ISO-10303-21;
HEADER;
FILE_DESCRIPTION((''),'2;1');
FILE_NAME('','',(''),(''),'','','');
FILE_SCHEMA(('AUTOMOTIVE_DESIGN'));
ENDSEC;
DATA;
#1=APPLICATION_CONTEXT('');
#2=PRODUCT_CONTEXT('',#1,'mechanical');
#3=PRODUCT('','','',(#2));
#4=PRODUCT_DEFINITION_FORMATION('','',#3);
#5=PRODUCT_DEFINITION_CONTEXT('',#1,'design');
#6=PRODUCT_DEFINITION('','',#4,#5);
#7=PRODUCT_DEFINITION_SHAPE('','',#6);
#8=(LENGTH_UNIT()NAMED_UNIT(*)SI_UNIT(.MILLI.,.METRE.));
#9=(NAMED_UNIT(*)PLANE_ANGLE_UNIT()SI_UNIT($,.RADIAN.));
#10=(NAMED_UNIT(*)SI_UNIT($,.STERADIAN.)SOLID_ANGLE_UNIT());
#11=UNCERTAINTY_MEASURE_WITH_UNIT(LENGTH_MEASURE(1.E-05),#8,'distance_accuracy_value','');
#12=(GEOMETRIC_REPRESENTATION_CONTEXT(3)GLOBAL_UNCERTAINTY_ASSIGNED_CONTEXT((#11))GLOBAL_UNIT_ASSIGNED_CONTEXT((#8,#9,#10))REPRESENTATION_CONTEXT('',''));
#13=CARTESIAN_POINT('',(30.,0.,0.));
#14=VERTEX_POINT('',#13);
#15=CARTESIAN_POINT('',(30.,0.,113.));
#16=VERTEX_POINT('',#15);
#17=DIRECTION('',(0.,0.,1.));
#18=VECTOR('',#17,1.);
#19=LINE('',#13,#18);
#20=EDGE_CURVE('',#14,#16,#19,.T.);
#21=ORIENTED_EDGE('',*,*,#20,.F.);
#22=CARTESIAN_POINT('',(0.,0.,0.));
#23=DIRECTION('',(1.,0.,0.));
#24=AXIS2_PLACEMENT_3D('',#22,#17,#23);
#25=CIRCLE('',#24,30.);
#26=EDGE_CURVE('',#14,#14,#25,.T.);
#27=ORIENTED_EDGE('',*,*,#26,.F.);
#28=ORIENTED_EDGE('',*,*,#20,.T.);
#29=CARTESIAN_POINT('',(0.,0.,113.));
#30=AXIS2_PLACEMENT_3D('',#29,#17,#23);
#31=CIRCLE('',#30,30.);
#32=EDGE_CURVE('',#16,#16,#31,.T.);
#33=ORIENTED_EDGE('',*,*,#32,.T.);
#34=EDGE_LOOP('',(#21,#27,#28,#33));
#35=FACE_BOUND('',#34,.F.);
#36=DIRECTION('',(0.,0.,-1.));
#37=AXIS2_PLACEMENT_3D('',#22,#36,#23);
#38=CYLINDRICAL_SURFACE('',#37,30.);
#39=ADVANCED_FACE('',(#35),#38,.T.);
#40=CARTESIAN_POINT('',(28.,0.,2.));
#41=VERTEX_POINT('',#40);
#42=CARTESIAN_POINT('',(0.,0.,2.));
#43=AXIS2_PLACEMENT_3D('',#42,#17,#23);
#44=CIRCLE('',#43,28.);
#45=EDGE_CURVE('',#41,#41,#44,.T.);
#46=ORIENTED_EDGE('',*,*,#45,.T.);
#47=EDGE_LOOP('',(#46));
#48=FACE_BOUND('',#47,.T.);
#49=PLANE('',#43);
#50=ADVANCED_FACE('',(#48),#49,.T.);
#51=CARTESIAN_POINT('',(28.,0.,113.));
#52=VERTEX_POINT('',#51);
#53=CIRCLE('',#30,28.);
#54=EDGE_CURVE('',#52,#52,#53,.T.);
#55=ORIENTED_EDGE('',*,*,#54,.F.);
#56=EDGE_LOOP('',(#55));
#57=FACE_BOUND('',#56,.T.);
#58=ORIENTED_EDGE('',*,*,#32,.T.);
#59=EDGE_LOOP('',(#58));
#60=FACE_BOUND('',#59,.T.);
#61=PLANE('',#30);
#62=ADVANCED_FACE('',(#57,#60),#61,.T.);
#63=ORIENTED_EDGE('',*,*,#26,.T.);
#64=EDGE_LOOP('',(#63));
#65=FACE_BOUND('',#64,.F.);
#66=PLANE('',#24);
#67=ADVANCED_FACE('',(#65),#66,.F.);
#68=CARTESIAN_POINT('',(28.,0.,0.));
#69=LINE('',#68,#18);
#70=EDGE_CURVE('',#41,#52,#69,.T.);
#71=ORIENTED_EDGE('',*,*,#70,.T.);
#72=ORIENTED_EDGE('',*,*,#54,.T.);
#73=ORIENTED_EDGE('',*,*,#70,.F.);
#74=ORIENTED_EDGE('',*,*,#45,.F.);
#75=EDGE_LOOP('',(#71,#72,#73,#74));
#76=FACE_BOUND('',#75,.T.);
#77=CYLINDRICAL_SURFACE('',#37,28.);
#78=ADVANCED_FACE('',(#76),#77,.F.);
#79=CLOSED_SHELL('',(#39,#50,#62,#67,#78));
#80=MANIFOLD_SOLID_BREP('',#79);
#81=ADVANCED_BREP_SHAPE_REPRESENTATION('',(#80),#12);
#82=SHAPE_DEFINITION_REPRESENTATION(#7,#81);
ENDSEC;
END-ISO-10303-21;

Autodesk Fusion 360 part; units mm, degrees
sketch "Base" plane through (0, 0, 0) normal (0, 0, 1) x (1, 0, 0)
  circle A0 centre (0, 0) radius 30
  circle A1 centre (0, 0) radius 28
  dimension "d1" = 60
  dimension "d2" = 56
extrude "Extrude1" add sketch "Base" along normal blind 2 contours A1
extrude "Extrude2" add sketch "Base" along normal blind 113
